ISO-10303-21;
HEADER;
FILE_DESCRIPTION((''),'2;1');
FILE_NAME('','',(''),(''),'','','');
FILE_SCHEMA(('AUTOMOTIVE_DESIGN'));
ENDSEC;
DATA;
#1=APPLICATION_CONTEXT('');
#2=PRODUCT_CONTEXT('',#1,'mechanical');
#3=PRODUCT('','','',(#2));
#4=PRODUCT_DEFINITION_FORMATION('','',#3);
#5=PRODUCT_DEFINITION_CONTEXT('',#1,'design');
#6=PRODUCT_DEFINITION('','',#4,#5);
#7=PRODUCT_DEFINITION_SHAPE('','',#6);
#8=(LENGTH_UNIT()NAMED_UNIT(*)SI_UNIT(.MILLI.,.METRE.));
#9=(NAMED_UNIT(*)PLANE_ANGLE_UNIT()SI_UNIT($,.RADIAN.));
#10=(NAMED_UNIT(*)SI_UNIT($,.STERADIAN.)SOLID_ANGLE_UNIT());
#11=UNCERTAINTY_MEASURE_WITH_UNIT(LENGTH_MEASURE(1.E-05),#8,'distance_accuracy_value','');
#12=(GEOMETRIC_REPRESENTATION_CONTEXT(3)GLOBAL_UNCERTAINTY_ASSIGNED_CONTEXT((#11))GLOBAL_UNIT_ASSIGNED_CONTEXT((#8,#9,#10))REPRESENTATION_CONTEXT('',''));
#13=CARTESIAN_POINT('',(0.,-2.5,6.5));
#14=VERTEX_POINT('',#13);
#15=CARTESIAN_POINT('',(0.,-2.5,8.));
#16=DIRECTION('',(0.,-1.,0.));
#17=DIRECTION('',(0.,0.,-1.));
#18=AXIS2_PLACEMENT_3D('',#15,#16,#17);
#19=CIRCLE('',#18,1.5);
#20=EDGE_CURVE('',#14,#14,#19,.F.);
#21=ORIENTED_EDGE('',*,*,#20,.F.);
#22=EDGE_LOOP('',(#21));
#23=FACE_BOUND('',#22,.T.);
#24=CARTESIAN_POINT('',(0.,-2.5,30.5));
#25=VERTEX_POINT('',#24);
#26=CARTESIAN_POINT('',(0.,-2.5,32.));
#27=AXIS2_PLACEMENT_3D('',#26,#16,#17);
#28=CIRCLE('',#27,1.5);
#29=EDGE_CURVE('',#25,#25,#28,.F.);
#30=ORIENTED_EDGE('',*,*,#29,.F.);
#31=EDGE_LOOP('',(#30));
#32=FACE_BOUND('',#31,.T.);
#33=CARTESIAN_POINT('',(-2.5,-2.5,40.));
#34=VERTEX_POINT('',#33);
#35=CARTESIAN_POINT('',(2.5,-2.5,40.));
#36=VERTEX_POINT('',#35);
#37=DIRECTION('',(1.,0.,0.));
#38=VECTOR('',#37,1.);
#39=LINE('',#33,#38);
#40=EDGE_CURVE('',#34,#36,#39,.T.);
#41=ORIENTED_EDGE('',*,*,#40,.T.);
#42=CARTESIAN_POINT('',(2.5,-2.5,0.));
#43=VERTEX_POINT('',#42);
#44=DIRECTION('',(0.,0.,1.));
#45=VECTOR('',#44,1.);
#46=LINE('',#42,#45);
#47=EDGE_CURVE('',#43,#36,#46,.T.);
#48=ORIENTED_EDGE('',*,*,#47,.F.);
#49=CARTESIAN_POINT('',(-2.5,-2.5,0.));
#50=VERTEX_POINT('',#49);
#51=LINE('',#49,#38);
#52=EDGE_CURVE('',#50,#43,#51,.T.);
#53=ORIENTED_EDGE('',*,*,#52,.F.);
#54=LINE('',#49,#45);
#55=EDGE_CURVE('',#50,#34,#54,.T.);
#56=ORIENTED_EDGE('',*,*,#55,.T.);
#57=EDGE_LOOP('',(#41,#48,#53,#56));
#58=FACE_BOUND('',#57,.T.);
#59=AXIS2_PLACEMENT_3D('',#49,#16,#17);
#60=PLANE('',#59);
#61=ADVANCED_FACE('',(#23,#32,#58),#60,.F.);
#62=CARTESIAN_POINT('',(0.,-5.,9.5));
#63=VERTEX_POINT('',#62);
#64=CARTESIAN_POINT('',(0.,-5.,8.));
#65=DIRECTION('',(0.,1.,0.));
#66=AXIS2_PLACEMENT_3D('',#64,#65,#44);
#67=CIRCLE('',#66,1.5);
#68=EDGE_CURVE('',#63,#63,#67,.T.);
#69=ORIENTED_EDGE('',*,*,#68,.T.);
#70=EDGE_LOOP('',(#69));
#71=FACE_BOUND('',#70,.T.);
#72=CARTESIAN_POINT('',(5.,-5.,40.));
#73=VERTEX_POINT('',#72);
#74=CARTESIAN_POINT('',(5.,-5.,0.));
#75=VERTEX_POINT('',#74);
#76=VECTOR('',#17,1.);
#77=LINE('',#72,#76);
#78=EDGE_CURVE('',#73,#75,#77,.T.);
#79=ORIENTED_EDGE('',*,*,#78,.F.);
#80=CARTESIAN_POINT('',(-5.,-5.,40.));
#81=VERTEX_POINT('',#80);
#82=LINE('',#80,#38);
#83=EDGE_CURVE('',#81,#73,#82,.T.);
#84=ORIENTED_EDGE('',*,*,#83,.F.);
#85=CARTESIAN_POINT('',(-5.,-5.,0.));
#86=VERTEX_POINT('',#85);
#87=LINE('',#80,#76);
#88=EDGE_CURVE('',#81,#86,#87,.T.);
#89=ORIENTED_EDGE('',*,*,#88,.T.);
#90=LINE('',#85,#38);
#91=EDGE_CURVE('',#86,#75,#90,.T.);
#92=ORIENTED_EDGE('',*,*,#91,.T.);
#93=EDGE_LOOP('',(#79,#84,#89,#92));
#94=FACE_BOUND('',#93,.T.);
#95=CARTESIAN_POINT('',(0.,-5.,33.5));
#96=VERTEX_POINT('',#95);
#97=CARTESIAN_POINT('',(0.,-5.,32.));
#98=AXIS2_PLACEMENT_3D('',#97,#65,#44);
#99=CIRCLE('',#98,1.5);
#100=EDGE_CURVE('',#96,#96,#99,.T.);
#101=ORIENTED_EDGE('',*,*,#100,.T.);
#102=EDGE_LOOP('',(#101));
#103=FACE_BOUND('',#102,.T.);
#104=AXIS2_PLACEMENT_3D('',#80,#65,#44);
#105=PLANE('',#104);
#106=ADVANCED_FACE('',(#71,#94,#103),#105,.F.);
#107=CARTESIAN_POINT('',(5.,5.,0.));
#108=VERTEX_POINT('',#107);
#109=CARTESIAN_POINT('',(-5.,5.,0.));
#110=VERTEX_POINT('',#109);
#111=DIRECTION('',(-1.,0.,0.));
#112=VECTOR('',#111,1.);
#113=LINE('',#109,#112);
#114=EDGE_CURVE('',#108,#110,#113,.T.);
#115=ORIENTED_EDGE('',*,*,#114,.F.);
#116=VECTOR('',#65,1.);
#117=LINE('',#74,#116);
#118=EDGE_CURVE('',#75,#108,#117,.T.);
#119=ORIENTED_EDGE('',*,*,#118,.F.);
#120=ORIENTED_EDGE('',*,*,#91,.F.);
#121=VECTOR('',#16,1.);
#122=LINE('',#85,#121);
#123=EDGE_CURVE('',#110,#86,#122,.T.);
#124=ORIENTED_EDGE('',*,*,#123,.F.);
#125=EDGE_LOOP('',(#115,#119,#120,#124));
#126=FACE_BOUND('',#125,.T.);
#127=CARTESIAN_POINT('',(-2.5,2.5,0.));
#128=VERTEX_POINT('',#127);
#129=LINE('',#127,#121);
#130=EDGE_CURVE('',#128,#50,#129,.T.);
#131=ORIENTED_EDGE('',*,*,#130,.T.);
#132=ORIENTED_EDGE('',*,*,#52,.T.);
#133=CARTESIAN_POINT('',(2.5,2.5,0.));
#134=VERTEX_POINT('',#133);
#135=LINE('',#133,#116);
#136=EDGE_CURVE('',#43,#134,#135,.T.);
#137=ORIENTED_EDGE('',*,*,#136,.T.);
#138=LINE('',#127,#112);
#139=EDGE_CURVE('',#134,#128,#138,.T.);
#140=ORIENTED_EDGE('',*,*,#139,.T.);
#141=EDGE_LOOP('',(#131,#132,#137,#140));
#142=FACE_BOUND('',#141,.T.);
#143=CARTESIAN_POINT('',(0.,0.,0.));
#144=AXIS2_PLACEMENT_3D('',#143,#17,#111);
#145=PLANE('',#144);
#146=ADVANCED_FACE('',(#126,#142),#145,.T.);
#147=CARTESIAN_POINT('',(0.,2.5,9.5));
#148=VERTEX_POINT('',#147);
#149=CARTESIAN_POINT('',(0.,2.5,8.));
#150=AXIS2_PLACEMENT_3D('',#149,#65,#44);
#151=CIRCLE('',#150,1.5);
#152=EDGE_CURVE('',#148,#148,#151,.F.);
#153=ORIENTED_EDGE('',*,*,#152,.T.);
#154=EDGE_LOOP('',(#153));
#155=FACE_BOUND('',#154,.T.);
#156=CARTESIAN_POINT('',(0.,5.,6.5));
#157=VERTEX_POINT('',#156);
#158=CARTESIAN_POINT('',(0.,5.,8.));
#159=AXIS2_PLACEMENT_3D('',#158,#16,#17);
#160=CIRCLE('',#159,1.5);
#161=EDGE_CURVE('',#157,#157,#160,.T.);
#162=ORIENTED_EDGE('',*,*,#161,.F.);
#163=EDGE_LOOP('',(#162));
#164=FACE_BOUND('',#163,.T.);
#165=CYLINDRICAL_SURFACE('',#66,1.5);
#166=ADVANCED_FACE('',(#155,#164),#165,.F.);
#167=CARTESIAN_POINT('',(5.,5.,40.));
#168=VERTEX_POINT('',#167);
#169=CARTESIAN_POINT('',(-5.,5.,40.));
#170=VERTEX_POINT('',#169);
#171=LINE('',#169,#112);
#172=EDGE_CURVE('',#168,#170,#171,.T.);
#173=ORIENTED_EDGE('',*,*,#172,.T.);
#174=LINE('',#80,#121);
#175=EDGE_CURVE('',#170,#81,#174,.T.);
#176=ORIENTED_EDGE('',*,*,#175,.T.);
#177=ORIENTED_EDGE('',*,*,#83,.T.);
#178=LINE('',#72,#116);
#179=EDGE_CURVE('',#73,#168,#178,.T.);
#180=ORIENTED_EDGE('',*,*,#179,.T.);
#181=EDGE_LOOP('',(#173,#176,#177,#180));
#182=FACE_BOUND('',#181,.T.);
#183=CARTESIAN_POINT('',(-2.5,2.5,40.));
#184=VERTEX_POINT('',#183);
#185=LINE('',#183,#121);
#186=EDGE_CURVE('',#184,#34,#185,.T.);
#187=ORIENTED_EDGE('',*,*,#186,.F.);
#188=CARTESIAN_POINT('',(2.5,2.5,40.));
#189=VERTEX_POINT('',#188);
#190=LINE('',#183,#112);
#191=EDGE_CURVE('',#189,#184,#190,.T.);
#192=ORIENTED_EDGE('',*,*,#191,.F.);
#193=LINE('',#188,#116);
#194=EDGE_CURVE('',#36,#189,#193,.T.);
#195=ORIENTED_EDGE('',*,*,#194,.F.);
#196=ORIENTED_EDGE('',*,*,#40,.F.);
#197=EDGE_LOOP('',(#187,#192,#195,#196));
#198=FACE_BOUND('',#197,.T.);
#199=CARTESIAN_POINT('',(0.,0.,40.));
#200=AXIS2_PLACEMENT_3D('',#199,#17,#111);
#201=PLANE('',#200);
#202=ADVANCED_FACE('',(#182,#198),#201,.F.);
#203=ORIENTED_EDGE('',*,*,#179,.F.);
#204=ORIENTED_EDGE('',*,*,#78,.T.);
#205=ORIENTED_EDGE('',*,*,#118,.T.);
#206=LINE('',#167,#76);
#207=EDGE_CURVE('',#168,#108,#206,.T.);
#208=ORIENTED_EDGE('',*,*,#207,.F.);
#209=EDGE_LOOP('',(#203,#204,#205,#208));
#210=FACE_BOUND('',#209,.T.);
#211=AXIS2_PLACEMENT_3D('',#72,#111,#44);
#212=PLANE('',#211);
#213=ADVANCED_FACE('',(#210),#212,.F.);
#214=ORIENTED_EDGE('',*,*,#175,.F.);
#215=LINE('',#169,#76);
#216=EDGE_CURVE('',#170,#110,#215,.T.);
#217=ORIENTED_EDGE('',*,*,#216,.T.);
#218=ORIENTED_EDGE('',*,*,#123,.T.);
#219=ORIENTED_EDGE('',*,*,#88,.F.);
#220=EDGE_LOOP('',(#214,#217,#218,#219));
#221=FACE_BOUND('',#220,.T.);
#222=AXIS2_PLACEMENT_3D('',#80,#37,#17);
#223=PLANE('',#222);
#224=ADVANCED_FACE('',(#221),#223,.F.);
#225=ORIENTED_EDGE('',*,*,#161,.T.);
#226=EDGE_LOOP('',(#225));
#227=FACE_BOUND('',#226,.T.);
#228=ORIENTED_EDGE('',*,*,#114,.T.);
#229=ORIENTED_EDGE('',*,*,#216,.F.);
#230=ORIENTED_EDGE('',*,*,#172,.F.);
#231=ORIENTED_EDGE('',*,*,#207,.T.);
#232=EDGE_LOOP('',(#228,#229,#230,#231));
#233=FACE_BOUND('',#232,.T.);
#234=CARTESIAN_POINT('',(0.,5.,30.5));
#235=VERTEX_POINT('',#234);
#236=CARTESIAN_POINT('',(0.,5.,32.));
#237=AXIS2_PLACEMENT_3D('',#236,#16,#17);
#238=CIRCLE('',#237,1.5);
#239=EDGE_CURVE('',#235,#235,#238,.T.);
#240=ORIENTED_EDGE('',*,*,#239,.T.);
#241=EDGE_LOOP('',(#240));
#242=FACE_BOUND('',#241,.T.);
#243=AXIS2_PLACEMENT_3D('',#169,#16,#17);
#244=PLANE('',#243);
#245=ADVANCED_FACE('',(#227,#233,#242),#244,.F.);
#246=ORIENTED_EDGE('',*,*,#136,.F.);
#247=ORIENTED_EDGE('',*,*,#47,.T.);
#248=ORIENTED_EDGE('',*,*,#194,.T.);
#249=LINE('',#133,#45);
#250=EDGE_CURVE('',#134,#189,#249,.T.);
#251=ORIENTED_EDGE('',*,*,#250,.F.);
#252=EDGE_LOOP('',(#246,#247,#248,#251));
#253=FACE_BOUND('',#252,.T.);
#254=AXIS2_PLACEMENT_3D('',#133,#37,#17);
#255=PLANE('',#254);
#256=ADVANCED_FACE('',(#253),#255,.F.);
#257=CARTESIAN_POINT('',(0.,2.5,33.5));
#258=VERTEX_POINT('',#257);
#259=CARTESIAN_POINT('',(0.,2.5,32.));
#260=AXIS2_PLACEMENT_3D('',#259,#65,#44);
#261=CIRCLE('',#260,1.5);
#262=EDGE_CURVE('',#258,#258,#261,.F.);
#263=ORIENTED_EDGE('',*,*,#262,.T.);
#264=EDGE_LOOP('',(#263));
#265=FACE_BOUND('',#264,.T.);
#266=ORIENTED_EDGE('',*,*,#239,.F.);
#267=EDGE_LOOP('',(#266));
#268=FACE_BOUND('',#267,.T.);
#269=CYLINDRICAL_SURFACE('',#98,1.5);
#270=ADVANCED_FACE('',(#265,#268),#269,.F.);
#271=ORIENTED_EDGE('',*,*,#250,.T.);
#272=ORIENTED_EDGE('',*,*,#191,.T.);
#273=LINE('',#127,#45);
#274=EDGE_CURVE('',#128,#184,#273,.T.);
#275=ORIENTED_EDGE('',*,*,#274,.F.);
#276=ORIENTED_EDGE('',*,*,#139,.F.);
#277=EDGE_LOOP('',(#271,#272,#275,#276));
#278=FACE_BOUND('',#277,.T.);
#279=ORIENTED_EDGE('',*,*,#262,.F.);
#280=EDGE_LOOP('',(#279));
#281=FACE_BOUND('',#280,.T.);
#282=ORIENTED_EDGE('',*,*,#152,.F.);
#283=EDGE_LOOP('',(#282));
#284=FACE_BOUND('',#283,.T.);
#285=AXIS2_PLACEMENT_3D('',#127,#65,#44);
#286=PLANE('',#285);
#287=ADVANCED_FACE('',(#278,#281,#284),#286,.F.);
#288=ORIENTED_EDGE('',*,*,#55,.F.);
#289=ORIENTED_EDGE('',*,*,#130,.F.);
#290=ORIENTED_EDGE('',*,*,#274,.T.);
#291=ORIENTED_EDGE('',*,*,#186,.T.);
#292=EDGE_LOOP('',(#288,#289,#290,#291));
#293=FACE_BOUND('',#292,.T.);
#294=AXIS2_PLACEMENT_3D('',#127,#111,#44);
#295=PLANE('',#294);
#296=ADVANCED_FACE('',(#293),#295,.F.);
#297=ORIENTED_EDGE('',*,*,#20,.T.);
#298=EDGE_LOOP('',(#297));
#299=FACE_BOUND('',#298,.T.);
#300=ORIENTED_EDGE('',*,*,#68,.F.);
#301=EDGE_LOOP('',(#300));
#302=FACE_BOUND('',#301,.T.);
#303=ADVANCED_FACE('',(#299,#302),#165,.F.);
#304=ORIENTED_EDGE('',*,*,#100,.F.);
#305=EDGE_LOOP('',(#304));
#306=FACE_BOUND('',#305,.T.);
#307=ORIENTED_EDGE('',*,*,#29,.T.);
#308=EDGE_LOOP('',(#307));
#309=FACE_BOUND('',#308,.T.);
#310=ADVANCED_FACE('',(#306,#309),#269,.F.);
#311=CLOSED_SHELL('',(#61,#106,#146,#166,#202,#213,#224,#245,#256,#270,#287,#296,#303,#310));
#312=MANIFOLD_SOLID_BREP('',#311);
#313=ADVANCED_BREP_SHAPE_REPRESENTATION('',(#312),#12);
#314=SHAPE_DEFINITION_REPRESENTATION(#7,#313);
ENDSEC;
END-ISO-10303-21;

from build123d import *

# Parameters (mm, degrees)
SKETCH_1_W               = 10
SKETCH_1_H               = 10
EXTRUDE_1_DEPTH          = 40
CUT_EXTRUDE_1_DEPTH      = 42.533119315
CUT_EXTRUDE_1_DEPTH_BACK = 42.533119315
SKETCH_2_R               = 1.5
CUT_EXTRUDE_2_DEPTH      = 42.533119315
CUT_EXTRUDE_2_DEPTH_BACK = 42.533119315
SKETCH_3_R               = 1.5
CUT_EXTRUDE_3_DEPTH      = 41.620192023
CUT_EXTRUDE_3_DEPTH_BACK = 41.620192023
SKETCH_4_W               = 5
SKETCH_4_H               = 5


with BuildPart() as part:
    # 草图1 → 凸台-拉伸1 (new body)
    with BuildSketch(Plane.XY):
        Rectangle(SKETCH_1_W, SKETCH_1_H)
    extrude(amount=EXTRUDE_1_DEPTH)

    # 草图2 → 切除-拉伸1 (cut, two sides: drawn at the far end of the back side and taken through both)
    with BuildSketch(Plane(origin=(0, 5, 0), x_dir=(1, 0, 0), z_dir=(0, 1, 0)).offset(-CUT_EXTRUDE_1_DEPTH_BACK)):
        with Locations(Location((0, -8, 0), (0, 0, 270))):
            Circle(SKETCH_2_R)
    extrude(amount=CUT_EXTRUDE_1_DEPTH + CUT_EXTRUDE_1_DEPTH_BACK, mode=Mode.SUBTRACT)

    # 草图3 → 切除-拉伸2 (cut, two sides: drawn at the far end of the back side and taken through both)
    with BuildSketch(Plane(origin=(0, 5, 0), x_dir=(1, 0, 0), z_dir=(0, 1, 0)).offset(-CUT_EXTRUDE_2_DEPTH_BACK)):
        with Locations(Location((0, -32, 0), (0, 0, 270))):
            Circle(SKETCH_3_R)
    extrude(amount=CUT_EXTRUDE_2_DEPTH + CUT_EXTRUDE_2_DEPTH_BACK, mode=Mode.SUBTRACT)

    # 草图4 → 切除-拉伸3 (cut, two sides: drawn at the far end of the back side and taken through both)
    with BuildSketch(Plane.XY.offset(40).offset(-CUT_EXTRUDE_3_DEPTH_BACK)):
        Rectangle(SKETCH_4_W, SKETCH_4_H)
    extrude(amount=CUT_EXTRUDE_3_DEPTH + CUT_EXTRUDE_3_DEPTH_BACK, mode=Mode.SUBTRACT)


solid = part.part
